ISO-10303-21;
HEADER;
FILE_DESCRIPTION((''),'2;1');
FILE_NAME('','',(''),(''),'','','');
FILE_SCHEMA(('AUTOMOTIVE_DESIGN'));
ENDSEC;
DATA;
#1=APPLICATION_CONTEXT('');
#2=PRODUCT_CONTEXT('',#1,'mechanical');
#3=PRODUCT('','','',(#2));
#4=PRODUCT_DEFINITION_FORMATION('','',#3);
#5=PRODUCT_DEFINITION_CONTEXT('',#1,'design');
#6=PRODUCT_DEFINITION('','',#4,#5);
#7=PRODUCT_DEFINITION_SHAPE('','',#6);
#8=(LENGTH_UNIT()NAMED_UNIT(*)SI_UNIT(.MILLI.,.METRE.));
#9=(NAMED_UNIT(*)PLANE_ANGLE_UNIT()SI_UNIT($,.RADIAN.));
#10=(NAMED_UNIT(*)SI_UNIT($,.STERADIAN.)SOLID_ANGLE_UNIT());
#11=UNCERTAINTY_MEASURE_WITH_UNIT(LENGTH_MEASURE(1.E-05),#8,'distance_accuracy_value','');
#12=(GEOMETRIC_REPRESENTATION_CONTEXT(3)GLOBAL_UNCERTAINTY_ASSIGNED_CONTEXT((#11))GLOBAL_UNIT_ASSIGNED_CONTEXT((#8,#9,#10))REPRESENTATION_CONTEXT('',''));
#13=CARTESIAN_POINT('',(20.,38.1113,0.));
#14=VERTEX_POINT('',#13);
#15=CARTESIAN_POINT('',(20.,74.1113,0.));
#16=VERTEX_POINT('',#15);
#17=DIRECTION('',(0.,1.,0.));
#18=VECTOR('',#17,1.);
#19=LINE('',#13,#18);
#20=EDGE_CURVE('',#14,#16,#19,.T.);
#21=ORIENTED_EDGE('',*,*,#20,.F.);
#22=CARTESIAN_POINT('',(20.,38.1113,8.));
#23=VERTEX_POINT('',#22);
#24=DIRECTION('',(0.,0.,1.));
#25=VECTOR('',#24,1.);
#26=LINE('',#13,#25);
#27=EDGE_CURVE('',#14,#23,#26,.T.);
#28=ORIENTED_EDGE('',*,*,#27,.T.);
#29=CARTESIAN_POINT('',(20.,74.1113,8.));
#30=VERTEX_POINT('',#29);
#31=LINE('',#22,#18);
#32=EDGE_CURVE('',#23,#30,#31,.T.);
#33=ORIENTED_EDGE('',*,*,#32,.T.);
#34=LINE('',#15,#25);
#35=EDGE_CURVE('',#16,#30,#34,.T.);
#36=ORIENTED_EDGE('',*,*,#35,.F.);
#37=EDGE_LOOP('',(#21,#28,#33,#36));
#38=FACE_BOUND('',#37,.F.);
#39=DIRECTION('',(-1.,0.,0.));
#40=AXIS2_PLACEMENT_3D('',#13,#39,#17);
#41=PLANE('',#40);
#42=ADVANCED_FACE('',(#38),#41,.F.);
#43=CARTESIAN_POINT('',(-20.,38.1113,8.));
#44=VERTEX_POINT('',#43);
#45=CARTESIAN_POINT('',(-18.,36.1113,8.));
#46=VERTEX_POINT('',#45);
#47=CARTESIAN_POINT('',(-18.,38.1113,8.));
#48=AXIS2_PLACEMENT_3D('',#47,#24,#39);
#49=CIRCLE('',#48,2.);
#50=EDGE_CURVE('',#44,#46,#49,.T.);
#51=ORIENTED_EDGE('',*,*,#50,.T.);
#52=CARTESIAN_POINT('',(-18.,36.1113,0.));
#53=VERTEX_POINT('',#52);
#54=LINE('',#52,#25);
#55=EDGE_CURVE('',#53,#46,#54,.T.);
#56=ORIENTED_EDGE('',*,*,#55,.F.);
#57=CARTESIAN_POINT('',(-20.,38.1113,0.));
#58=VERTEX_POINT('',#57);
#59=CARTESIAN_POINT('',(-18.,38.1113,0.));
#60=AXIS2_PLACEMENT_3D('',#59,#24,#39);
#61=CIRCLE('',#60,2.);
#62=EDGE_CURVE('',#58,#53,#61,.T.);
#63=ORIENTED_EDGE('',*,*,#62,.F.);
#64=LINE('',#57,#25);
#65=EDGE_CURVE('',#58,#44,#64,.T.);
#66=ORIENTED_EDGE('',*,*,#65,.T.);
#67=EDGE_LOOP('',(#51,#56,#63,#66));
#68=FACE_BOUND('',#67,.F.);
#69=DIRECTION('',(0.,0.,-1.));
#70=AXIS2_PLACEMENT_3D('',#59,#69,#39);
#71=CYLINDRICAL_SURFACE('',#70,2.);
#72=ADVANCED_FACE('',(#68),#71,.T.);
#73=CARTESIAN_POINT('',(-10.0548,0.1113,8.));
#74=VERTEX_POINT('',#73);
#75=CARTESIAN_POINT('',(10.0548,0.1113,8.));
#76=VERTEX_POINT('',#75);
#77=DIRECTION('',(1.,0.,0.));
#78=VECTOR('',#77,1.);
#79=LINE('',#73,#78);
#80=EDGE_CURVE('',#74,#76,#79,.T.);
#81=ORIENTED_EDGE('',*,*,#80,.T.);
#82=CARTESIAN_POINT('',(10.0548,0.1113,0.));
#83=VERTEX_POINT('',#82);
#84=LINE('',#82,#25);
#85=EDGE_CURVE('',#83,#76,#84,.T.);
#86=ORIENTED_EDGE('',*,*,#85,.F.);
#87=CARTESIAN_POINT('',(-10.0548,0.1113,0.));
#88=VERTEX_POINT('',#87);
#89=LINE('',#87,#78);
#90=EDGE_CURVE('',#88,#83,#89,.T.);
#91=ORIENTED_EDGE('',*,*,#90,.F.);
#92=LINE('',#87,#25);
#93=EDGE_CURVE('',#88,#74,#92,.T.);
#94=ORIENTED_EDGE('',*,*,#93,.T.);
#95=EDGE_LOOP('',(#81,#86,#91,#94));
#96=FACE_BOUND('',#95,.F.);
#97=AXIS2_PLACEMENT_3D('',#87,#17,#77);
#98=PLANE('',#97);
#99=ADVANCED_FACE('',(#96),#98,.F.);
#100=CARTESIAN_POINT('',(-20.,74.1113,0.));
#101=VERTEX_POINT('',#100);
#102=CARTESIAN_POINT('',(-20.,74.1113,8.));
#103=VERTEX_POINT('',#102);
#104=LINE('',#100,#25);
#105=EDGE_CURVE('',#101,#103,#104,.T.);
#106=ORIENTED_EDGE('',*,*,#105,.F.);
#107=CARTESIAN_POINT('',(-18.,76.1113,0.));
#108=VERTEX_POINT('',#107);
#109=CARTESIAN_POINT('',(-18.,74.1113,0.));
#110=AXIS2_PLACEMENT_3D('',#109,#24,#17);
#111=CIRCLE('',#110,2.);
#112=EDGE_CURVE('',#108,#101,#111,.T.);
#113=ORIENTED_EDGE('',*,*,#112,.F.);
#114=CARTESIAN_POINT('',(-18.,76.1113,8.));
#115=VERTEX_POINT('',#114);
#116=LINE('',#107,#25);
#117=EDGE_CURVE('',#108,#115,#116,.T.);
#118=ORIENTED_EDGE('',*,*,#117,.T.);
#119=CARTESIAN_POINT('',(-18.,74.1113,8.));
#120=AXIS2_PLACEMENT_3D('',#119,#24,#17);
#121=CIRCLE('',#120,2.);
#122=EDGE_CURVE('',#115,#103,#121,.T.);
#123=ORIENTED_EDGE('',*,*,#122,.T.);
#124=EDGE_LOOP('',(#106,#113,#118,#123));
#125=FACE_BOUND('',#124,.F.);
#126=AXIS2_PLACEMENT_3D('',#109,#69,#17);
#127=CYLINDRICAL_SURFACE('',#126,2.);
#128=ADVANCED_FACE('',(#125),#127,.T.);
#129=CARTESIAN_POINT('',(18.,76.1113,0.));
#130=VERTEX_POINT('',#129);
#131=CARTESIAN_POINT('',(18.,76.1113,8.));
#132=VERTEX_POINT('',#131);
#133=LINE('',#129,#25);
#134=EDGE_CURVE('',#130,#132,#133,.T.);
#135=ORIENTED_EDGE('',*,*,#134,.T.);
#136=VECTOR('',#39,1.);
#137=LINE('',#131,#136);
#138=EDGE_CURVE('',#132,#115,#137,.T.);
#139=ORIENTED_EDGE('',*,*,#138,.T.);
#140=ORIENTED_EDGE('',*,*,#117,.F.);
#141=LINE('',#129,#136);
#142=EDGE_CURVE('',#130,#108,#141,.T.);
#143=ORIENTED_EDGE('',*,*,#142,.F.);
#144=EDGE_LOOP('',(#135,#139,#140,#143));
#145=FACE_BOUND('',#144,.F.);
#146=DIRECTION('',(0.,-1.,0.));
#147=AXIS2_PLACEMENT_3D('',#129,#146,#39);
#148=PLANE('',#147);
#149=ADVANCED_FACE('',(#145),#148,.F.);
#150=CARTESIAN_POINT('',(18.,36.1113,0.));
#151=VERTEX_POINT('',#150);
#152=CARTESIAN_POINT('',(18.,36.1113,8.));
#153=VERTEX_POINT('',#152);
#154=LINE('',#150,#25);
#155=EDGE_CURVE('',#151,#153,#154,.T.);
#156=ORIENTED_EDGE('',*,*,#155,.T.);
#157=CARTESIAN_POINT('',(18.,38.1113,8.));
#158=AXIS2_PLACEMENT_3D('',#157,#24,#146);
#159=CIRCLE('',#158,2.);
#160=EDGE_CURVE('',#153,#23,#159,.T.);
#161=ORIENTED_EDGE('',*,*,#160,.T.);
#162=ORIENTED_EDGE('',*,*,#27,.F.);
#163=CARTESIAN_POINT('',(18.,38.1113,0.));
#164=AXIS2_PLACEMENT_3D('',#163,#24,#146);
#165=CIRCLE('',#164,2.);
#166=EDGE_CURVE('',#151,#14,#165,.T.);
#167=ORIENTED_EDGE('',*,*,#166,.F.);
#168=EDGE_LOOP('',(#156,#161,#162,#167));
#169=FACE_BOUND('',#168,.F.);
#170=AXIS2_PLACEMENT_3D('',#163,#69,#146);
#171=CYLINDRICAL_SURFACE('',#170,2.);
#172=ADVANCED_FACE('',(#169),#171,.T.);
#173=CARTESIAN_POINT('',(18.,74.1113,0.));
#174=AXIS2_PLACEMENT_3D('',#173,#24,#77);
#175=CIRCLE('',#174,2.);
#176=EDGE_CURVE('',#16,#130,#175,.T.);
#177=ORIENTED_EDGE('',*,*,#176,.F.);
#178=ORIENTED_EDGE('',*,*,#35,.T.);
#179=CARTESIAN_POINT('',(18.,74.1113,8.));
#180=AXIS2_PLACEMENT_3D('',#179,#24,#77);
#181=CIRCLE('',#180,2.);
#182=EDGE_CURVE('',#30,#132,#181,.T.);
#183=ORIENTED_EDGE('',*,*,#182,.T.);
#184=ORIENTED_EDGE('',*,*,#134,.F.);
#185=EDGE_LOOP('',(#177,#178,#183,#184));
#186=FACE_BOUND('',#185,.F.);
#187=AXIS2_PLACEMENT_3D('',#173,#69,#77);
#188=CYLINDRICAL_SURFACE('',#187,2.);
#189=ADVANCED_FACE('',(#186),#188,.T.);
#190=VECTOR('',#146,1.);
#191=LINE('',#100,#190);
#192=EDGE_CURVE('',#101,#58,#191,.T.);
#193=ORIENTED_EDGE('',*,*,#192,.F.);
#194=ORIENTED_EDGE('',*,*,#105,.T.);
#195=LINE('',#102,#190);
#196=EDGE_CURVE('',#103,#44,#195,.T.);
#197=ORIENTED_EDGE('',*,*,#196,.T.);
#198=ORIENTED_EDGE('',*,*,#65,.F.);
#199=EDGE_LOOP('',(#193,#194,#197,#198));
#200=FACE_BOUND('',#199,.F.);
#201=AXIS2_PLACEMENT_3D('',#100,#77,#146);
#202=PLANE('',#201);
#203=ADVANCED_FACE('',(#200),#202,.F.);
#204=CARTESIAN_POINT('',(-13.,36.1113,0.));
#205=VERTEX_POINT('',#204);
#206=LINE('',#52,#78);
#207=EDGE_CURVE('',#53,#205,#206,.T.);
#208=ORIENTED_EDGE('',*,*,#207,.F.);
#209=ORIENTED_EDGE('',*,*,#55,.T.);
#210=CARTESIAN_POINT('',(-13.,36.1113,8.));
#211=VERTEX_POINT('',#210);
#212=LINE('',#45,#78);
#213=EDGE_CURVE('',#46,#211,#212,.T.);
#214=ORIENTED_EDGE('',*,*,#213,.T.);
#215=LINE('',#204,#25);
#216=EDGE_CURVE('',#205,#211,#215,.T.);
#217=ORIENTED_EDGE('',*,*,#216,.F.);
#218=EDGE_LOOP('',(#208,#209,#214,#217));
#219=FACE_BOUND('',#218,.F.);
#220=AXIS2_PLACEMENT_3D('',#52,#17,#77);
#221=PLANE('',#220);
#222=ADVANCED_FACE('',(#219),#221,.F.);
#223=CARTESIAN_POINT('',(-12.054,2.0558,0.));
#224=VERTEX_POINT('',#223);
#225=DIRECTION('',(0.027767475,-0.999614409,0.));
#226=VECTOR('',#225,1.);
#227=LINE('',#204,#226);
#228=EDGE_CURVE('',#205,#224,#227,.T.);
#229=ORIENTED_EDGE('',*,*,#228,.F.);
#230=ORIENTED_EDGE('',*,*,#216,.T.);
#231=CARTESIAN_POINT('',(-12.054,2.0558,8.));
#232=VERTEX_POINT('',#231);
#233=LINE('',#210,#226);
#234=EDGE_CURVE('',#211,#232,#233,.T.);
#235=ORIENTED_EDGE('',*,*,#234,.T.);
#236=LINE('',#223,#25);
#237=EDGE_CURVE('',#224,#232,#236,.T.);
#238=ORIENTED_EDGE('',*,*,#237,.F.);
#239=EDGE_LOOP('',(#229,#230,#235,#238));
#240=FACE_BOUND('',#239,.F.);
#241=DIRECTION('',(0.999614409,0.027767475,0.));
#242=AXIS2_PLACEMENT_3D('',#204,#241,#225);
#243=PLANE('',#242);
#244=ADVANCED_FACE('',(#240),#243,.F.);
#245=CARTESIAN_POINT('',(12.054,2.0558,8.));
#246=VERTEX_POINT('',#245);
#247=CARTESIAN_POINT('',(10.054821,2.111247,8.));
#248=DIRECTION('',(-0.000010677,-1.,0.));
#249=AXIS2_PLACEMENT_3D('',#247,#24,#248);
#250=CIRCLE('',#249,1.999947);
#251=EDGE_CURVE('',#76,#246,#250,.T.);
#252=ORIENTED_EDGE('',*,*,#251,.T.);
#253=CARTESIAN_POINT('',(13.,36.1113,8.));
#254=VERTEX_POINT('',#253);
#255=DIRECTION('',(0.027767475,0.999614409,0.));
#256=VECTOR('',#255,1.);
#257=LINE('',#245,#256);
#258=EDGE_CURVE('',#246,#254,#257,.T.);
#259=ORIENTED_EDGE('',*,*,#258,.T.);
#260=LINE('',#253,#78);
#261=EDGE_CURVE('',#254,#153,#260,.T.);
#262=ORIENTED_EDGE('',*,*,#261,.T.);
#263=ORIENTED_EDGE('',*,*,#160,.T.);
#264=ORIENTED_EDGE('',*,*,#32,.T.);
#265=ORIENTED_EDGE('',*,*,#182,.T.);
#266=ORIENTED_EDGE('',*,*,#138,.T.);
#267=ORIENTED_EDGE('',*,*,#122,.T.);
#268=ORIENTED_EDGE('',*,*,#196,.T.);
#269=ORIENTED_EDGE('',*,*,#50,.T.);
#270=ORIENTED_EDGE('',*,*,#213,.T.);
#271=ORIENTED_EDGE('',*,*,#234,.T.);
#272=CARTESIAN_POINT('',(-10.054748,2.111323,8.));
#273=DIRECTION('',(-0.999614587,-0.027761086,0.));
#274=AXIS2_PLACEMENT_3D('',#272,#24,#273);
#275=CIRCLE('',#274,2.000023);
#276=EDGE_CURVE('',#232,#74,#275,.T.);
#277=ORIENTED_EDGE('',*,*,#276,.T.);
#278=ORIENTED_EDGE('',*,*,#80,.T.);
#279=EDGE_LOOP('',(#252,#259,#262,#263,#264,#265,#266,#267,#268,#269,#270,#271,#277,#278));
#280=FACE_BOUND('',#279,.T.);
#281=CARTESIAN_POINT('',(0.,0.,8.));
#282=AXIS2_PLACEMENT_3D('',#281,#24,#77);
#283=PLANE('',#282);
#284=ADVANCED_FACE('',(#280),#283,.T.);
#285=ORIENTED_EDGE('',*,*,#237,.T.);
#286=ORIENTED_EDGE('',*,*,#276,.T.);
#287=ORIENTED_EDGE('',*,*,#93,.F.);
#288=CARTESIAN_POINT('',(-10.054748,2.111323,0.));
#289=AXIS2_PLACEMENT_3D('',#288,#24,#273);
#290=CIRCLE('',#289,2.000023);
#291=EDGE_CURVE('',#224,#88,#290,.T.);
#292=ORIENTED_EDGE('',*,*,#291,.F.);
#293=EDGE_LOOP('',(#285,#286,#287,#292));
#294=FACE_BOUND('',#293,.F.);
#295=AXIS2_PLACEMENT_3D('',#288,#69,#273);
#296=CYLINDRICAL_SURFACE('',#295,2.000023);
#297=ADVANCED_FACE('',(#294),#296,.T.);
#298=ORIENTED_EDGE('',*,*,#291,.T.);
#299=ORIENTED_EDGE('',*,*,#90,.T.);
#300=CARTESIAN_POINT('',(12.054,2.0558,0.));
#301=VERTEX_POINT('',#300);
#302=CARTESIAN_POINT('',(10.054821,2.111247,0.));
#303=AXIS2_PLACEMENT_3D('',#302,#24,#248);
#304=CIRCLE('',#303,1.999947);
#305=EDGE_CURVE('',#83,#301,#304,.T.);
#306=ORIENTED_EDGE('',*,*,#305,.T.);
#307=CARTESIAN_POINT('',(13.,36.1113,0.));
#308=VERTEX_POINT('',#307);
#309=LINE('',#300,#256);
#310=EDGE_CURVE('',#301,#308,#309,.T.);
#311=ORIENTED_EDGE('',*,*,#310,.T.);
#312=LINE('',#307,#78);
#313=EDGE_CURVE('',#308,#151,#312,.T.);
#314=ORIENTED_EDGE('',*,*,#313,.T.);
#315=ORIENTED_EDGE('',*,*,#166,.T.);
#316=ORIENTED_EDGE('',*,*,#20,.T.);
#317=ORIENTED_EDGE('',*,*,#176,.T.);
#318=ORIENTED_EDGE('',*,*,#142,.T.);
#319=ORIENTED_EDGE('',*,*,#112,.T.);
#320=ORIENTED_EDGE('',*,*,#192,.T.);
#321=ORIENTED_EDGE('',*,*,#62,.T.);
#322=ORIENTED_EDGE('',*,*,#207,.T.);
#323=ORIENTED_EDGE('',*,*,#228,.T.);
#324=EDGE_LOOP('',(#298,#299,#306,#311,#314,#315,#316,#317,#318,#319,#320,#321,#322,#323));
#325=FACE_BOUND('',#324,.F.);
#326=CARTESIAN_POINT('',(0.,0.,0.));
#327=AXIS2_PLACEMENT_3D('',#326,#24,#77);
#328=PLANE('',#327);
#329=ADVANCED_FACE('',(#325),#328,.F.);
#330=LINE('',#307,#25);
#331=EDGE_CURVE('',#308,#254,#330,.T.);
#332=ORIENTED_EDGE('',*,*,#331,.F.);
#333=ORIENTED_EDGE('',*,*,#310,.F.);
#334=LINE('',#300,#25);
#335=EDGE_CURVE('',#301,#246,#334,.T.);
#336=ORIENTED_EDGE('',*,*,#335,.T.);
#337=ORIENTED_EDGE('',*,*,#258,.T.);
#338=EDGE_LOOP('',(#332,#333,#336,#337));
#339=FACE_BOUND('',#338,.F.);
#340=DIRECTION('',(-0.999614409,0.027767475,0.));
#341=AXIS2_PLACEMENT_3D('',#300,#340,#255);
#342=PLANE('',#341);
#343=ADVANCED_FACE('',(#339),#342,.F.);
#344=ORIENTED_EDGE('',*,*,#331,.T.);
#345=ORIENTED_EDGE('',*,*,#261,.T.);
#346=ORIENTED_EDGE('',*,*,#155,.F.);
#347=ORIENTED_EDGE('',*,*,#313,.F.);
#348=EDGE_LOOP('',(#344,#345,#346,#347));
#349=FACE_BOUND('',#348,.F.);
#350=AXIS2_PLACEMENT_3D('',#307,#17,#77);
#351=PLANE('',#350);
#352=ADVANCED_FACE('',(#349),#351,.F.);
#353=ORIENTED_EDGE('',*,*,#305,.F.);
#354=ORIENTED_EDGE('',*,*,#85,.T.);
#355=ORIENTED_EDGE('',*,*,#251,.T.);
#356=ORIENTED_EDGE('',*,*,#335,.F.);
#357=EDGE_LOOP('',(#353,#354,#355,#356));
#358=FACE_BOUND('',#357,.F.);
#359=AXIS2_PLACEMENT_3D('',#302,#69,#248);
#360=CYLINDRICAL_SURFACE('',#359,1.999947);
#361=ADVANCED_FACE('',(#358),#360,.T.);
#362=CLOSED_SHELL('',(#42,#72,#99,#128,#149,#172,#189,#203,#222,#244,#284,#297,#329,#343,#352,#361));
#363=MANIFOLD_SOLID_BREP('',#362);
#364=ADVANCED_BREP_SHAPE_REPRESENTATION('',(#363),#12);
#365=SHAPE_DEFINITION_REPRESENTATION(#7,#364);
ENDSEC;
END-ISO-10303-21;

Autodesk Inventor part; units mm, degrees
ref_plane "YZ Plane" through (0, 0, 0) normal (1, 0, 0) x (0, 1, 0)
ref_plane "XZ Plane" through (0, 0, 0) normal (0, 1, 0) x (-1, 0, 0)
ref_plane "XY Plane" through (0, 0, 0) normal (0, 0, 1) x (1, 0, 0)
sketch "Sketch1" plane through (0, 0, 0) normal (0, 0, 1) x (1, 0, 0)
  line L0 (0, 0) -> (0, 17.1478) construction
  line L1 (-10.0548, 0.1113) -> (10.0548, 0.1113)
  line L2 (12.054, 2.0558) -> (13, 36.1113)
  line L3 (13, 36.1113) -> (18, 36.1113)
  line L4 (20, 38.1113) -> (20, 74.1113)
  line L5 (18, 76.1113) -> (-18, 76.1113)
  line L6 (-20, 74.1113) -> (-20, 38.1113)
  line L7 (-18, 36.1113) -> (-13, 36.1113)
  line L8 (-13, 36.1113) -> (-12.054, 2.0558)
  arc A0 (-18, 76.1113) -> (-20, 74.1113) centre (-18, 74.1113) ccw
  arc A1 (20, 74.1113) -> (18, 76.1113) centre (18, 74.1113) ccw
  arc A2 (-20, 38.1113) -> (-18, 36.1113) centre (-18, 38.1113) ccw
  arc A3 (18, 36.1113) -> (20, 38.1113) centre (18, 38.1113) ccw
  arc A4 (-12.054, 2.0558) -> (-10.0548, 0.1113) centre (-10.0548, 2.1113) ccw
  arc A5 (10.0548, 0.1113) -> (12.054, 2.0558) centre (10.0548, 2.1113) ccw
  point P0 (-12, 0.1113)
  point P1 (12, 0.1113)
  point P2 (20, 36.1113)
  point P3 (20, 76.1113)
  point P4 (-20, 76.1113)
  dimension "d0" = 24
  dimension "d1" = 26
  dimension "d2" = 40
  dimension "d3" = 36
  dimension "d4" = 40
  dimension "d5" = 2
extrude "Plate1" add sketch "Sketch1" along normal blind 8
equation "\"d6\" = Thickness"
equation "\"BendRadius\" = Thickness"
equation "\"BendReliefWidth\" = Thickness"
equation "\"BendReliefDepth\" = 0.5 * Thickness"
equation "\"CornerReliefSize\" = 4 * Thickness"
equation "\"MinimumRemnant\" = 2 * Thickness"
equation "\"TransitionRadius\" = BendRadius"
equation "\"JacobiRadiusSize\" = BendRadius"
equation "\"GapSize\" = Thickness"
equation "\"Thickness\" = 8"
properties part number "hage" material "S235JR"
